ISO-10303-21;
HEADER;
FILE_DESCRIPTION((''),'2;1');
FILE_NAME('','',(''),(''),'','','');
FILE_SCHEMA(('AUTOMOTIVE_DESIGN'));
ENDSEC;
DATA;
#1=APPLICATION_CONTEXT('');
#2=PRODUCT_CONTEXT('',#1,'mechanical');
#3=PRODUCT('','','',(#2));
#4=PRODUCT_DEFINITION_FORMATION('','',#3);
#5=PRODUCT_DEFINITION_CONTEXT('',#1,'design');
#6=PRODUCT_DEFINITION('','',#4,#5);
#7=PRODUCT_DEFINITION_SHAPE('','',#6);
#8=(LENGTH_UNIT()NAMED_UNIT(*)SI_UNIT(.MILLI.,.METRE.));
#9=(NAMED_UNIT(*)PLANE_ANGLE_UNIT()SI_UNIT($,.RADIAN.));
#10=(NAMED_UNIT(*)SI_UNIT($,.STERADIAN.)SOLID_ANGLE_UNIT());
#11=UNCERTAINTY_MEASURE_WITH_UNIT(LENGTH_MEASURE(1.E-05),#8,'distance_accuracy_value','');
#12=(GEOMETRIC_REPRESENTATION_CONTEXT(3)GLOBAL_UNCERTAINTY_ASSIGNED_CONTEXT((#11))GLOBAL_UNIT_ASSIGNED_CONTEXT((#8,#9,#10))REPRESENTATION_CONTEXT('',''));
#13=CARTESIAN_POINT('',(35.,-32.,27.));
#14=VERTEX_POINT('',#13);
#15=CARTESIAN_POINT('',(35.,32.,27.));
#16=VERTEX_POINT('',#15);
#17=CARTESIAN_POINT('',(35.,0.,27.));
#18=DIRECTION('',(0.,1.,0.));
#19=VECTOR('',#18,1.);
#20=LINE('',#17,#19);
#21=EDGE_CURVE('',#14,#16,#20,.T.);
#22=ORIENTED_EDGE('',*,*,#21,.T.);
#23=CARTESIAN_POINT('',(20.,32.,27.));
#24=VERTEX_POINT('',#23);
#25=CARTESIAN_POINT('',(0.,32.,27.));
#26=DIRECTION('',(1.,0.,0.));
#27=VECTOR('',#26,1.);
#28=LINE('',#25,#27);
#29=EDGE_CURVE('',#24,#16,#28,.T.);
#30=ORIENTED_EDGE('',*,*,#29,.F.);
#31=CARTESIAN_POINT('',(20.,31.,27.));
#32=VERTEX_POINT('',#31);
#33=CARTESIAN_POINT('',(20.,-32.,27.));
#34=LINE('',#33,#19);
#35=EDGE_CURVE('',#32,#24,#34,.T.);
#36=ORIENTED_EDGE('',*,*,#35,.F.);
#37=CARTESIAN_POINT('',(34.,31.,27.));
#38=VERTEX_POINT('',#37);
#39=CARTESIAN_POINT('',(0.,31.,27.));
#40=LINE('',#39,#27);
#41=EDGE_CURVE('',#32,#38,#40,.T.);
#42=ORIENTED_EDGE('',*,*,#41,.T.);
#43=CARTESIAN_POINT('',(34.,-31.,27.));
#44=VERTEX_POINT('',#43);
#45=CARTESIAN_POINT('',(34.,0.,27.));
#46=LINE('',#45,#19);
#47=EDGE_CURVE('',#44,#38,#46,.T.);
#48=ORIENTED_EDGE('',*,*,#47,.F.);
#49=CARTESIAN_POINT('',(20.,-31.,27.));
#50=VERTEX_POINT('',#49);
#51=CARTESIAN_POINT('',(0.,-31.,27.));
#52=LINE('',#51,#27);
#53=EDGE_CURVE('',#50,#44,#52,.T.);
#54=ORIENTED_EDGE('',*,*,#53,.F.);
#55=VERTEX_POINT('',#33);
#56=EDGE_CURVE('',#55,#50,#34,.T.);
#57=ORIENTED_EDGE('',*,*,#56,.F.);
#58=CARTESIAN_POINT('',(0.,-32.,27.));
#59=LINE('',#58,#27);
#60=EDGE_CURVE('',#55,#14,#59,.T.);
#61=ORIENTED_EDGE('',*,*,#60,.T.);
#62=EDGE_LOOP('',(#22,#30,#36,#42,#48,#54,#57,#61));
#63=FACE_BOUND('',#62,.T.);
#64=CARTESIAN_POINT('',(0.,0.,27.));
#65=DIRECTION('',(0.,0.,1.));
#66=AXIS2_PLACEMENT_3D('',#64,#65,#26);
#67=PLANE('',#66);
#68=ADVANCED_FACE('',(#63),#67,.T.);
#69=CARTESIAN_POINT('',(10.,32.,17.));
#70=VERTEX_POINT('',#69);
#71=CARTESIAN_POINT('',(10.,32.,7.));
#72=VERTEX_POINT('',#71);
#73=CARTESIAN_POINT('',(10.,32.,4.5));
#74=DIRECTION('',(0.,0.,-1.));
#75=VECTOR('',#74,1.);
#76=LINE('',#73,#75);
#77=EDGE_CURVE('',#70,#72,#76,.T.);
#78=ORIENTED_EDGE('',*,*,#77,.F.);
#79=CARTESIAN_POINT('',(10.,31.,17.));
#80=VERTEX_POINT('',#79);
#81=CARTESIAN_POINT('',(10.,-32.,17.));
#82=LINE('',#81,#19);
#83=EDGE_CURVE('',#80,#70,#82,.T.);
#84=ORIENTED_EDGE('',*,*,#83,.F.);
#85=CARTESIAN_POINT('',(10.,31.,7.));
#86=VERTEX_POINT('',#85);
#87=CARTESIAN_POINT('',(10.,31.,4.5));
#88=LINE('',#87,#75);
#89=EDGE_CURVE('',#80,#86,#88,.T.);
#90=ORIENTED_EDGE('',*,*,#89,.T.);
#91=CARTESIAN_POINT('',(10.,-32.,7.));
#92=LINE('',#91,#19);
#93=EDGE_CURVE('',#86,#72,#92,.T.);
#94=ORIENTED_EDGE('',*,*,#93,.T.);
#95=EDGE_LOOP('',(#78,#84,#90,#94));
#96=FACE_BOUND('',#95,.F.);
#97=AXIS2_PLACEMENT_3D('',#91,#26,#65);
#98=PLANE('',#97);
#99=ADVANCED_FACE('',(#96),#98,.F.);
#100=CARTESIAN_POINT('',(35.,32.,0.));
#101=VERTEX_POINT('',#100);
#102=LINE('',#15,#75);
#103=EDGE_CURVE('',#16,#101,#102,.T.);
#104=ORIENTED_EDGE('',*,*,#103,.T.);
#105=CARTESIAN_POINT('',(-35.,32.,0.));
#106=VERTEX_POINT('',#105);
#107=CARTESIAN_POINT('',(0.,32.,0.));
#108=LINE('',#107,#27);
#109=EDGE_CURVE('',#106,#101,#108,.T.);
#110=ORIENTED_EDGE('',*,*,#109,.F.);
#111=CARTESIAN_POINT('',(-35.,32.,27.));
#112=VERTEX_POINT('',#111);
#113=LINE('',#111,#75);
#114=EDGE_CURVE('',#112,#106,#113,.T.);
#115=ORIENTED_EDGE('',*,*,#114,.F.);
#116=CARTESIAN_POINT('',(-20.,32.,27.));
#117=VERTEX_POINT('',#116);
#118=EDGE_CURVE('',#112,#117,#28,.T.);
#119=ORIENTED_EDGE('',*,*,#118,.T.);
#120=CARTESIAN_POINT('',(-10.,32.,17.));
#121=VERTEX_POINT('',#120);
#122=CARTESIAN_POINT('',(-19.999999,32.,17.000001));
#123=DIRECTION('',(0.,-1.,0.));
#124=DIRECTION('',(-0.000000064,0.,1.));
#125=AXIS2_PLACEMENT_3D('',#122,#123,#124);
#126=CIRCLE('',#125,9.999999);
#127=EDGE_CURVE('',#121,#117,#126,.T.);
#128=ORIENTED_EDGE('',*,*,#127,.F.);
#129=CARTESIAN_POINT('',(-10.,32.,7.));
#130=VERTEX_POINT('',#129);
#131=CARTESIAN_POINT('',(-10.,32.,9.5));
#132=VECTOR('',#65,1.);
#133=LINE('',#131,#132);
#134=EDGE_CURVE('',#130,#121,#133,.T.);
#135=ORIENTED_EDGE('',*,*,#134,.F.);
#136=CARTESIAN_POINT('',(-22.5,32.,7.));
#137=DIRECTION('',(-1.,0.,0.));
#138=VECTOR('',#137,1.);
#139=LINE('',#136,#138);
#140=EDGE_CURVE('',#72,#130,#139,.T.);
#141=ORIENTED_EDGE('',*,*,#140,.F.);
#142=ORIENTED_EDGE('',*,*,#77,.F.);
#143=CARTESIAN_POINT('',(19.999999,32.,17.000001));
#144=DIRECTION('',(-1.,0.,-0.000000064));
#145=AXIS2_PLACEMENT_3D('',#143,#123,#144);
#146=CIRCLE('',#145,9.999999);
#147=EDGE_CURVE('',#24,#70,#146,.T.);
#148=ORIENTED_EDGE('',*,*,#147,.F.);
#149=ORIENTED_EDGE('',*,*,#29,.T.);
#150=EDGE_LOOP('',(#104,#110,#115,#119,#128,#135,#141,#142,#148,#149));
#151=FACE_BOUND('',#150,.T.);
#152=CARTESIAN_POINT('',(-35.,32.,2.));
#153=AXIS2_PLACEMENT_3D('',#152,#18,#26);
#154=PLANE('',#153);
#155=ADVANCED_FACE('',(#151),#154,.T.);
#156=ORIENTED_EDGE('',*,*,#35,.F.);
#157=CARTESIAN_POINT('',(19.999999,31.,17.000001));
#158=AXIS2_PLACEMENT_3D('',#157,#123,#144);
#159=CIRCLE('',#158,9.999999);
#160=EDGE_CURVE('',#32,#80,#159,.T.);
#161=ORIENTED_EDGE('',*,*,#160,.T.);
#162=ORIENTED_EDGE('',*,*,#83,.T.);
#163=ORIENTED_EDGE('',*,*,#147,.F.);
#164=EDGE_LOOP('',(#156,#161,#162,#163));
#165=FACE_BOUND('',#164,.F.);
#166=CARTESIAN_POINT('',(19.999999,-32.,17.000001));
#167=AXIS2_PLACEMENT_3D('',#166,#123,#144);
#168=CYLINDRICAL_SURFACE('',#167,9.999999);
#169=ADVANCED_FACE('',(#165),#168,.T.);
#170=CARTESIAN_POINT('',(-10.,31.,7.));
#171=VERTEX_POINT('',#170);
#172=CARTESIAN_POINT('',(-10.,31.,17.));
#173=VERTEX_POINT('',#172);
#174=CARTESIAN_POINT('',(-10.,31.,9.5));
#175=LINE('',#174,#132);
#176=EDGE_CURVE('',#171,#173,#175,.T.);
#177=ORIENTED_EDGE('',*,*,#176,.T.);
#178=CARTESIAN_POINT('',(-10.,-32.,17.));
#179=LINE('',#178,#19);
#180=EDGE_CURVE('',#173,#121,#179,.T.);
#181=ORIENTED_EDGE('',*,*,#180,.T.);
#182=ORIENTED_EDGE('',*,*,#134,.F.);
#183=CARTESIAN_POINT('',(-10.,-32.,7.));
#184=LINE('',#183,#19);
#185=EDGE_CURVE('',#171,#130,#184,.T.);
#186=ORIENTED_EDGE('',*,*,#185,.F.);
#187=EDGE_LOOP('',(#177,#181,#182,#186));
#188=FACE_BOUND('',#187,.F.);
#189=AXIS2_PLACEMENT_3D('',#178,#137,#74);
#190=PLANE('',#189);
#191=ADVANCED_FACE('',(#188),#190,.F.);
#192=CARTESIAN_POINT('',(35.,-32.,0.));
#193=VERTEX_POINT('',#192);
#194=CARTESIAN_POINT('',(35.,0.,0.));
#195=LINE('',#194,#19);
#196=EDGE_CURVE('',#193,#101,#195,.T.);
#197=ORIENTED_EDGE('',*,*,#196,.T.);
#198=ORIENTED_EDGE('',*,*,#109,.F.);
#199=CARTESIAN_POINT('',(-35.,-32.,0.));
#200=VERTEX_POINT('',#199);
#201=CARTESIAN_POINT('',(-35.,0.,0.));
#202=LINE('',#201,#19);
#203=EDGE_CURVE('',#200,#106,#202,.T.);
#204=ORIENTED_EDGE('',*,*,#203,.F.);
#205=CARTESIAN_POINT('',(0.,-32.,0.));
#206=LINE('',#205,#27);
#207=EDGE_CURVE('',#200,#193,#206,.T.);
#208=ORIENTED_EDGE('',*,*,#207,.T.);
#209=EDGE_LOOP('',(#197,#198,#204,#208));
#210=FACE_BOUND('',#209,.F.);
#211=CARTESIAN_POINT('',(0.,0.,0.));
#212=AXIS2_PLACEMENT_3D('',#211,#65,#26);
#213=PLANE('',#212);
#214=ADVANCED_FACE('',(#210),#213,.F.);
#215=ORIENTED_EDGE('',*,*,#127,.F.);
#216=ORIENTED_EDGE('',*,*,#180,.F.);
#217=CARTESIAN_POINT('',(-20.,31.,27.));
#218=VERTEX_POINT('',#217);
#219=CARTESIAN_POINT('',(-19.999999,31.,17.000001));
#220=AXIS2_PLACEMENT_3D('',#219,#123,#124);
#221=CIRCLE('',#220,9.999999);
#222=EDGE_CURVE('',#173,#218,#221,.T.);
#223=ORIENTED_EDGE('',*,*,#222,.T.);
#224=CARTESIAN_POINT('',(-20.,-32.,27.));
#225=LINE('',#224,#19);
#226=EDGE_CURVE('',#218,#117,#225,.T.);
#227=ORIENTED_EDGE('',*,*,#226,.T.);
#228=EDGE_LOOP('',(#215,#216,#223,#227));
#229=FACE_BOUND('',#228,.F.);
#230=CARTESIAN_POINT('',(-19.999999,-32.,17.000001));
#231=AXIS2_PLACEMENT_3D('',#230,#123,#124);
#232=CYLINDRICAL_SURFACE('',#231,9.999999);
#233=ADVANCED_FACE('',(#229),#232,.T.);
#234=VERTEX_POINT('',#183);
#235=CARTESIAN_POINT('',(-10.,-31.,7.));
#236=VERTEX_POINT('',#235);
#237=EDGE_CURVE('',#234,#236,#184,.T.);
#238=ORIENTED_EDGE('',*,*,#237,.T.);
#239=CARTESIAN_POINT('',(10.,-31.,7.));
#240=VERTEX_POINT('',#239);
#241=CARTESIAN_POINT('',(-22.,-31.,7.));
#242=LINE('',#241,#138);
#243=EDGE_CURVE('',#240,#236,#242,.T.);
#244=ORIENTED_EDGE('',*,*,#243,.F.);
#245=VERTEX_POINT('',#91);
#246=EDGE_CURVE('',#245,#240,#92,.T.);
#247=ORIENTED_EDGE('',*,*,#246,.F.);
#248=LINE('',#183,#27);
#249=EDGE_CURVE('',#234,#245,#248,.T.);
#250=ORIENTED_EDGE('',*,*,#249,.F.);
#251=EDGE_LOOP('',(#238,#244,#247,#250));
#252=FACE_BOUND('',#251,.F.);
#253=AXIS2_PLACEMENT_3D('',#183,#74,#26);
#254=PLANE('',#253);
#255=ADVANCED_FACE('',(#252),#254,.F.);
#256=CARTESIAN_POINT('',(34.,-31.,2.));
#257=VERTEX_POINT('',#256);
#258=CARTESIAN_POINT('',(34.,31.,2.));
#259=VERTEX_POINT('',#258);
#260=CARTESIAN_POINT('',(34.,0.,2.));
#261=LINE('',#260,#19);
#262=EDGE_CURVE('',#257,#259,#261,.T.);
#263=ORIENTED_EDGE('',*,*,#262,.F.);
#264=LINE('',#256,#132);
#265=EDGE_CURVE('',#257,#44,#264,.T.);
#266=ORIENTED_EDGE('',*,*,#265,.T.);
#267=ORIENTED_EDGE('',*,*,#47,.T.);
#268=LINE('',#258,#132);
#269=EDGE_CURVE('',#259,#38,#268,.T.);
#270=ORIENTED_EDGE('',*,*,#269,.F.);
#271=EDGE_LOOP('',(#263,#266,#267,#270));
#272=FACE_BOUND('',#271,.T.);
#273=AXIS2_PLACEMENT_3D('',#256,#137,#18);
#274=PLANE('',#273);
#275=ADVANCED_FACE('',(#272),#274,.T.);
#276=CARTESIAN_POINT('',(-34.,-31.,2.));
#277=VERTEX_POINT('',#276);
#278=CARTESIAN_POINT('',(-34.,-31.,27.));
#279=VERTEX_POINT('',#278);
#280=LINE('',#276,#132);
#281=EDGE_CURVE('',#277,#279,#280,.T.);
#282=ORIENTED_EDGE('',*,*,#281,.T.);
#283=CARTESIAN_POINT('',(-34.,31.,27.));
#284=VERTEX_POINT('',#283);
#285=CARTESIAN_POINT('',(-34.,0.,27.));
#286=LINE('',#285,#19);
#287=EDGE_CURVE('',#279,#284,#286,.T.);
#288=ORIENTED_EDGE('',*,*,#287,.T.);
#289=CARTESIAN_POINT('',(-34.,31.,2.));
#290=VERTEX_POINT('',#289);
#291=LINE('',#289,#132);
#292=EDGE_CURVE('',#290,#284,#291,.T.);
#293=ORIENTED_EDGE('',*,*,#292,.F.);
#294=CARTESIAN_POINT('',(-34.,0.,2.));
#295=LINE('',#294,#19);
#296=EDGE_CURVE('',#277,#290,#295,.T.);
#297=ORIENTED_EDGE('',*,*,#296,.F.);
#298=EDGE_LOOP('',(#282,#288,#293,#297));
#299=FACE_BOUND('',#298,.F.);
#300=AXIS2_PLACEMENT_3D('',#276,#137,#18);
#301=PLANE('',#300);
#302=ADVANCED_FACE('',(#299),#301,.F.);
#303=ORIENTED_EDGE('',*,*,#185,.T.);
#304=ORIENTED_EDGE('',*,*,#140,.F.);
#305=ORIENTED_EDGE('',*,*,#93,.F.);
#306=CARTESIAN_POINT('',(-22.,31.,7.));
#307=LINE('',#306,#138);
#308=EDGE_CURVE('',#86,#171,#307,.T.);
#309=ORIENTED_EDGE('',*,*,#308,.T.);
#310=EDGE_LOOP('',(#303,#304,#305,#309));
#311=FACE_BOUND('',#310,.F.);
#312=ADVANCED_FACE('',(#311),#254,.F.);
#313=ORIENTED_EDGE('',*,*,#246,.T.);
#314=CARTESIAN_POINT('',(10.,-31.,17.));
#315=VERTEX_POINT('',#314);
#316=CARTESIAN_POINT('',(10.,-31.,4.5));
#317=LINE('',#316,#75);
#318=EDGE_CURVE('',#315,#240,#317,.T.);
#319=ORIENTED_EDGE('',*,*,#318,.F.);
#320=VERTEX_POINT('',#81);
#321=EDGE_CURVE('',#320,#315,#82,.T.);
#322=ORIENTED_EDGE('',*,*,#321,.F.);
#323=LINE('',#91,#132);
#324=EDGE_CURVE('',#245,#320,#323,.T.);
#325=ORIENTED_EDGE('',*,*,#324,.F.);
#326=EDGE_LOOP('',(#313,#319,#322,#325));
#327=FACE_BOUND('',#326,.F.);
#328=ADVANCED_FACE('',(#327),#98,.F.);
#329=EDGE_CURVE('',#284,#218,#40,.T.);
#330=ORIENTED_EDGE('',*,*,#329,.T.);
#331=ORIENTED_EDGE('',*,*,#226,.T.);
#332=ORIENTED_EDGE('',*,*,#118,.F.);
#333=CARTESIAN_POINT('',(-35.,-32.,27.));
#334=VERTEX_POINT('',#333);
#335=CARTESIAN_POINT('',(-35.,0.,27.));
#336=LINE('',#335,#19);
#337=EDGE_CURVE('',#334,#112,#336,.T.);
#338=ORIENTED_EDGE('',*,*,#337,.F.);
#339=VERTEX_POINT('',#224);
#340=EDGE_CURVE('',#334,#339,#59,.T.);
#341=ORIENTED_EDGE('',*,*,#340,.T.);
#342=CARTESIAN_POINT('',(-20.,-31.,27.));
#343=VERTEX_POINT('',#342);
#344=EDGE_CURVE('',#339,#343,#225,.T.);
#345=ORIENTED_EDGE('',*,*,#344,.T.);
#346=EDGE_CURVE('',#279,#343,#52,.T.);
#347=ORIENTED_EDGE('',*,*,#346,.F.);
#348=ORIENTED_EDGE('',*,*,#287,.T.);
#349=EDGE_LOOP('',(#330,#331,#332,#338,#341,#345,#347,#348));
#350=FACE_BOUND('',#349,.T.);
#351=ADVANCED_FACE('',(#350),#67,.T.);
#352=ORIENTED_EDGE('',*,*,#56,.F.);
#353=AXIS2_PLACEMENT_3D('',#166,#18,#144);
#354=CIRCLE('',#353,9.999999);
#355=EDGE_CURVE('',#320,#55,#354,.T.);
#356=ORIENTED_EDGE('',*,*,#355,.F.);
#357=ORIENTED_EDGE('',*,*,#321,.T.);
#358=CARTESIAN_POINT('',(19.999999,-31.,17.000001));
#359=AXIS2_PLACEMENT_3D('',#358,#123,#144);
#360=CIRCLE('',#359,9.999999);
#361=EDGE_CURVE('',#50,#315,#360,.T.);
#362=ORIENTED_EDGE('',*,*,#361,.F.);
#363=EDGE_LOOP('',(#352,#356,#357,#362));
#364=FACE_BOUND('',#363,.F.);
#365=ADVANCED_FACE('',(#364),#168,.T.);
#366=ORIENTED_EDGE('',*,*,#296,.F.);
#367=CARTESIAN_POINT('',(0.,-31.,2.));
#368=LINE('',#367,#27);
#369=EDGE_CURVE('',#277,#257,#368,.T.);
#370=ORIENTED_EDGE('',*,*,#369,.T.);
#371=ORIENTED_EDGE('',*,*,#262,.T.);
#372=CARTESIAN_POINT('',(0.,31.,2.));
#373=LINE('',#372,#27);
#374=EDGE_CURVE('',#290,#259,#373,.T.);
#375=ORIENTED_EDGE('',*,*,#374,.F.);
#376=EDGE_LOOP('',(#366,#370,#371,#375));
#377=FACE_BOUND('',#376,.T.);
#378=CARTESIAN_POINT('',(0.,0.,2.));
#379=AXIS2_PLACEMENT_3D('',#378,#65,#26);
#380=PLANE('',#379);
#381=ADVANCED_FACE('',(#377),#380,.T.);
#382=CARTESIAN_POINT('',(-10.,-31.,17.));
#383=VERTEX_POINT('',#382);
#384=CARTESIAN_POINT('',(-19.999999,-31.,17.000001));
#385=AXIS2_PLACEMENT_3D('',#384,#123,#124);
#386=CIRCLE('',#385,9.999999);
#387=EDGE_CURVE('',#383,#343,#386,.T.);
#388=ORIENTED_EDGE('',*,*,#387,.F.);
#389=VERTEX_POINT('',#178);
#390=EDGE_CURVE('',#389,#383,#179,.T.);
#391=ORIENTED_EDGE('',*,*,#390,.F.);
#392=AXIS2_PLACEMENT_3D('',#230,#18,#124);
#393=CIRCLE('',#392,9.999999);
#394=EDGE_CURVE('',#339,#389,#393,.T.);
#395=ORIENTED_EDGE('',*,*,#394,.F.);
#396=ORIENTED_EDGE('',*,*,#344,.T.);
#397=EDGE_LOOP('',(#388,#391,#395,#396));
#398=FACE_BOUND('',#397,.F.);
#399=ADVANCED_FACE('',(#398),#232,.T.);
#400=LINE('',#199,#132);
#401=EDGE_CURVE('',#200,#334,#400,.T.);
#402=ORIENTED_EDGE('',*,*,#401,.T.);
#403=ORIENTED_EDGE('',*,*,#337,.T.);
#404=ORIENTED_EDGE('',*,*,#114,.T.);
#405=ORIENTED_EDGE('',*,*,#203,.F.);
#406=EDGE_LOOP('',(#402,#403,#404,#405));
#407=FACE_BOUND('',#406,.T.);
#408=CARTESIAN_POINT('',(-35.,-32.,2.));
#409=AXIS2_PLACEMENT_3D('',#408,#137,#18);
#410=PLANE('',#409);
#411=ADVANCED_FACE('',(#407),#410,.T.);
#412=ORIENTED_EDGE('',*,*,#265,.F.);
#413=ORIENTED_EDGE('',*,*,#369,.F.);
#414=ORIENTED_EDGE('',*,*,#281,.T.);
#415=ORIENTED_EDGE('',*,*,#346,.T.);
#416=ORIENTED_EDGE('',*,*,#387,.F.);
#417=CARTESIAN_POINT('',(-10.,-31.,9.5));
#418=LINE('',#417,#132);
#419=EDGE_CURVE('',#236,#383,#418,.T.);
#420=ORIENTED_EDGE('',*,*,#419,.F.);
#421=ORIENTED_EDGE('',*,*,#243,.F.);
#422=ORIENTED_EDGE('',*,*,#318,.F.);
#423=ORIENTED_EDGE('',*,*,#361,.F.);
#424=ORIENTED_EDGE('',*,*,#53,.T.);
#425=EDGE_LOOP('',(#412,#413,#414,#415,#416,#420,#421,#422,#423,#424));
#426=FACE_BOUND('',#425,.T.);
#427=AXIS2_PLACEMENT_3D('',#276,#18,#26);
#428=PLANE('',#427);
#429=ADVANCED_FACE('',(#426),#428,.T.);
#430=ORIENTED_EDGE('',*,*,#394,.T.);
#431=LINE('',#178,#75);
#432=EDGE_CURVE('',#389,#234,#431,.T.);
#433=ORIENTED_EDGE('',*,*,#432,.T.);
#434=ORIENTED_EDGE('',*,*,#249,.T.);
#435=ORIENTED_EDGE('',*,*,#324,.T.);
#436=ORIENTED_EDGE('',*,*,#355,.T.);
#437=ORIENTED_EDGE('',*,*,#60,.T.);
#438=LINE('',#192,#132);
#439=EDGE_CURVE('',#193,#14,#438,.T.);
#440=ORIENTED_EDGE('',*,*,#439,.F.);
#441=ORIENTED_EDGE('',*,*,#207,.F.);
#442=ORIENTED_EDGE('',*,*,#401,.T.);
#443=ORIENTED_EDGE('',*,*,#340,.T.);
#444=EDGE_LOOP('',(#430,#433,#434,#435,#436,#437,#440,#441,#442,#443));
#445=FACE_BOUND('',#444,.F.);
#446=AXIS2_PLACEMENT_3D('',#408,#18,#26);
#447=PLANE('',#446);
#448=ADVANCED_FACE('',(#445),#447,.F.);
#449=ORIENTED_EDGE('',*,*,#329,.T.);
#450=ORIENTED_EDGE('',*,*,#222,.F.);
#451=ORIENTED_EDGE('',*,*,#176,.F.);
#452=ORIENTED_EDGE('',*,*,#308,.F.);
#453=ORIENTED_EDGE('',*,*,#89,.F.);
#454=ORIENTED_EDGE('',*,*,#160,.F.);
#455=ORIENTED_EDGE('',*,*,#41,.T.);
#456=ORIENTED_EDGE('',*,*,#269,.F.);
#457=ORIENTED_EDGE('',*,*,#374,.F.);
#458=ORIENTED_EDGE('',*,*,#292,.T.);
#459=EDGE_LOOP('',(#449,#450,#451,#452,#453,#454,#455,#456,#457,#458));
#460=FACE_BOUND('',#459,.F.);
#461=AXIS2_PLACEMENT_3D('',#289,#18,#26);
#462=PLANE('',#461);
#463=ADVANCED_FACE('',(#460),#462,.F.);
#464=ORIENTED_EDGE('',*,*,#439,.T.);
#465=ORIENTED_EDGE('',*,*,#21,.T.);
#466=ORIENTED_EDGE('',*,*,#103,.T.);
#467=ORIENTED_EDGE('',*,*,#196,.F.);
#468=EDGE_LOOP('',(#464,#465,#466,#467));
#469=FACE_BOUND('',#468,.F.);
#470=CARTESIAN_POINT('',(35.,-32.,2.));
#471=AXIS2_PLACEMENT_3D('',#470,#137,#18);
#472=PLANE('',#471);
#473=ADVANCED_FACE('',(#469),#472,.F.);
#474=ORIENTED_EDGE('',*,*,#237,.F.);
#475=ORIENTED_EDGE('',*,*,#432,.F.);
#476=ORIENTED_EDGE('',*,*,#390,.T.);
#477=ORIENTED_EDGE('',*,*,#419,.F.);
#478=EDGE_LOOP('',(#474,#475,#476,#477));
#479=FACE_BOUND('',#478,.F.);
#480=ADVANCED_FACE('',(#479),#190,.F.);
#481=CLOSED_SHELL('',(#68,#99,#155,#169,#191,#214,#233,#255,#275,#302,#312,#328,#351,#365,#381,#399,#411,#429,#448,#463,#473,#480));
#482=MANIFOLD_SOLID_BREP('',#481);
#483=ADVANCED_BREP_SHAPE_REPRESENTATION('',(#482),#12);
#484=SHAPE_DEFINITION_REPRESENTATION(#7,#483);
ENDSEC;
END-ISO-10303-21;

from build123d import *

# Parameters (mm, degrees)
F0_W     = 70
F0_H     = 64
F1_DEPTH = 2
F2_W     = 70
F2_H     = 64
F2_W_2   = 68
F2_H_2   = 62
F3_DEPTH = 25
F5_DEPTH = 125


with BuildPart() as f1:
    # F0 (on Top) → F1 (new body)
    with BuildSketch(Plane.XY):
        Rectangle(F0_W, F0_H)
    extrude(amount=F1_DEPTH)

    # F2 (on face) → F3 (join)
    with BuildSketch(Plane.XY.offset(2)):
        Rectangle(F2_W, F2_H)
        Rectangle(F2_W_2, F2_H_2, mode=Mode.SUBTRACT)
    extrude(amount=F3_DEPTH)

    # F4 (on face) → F5 (cut)
    with BuildSketch(Plane.XZ.offset(32)):
        with BuildLine():
            Line((-10, 7), (0, 7))
            Line((0, 7), (10, 7))
            Line((10, 7), (10, 17))
            ThreePointArc((10, 17), (12.928932, 24.071068), (20, 27))
            Line((20, 27), (-20, 27))
            ThreePointArc((-20, 27), (-12.928932, 24.071068), (-10, 17))
            Line((-10, 17), (-10, 7))
        make_face()
    extrude(amount=-F5_DEPTH, mode=Mode.SUBTRACT)


solid = f1.part
